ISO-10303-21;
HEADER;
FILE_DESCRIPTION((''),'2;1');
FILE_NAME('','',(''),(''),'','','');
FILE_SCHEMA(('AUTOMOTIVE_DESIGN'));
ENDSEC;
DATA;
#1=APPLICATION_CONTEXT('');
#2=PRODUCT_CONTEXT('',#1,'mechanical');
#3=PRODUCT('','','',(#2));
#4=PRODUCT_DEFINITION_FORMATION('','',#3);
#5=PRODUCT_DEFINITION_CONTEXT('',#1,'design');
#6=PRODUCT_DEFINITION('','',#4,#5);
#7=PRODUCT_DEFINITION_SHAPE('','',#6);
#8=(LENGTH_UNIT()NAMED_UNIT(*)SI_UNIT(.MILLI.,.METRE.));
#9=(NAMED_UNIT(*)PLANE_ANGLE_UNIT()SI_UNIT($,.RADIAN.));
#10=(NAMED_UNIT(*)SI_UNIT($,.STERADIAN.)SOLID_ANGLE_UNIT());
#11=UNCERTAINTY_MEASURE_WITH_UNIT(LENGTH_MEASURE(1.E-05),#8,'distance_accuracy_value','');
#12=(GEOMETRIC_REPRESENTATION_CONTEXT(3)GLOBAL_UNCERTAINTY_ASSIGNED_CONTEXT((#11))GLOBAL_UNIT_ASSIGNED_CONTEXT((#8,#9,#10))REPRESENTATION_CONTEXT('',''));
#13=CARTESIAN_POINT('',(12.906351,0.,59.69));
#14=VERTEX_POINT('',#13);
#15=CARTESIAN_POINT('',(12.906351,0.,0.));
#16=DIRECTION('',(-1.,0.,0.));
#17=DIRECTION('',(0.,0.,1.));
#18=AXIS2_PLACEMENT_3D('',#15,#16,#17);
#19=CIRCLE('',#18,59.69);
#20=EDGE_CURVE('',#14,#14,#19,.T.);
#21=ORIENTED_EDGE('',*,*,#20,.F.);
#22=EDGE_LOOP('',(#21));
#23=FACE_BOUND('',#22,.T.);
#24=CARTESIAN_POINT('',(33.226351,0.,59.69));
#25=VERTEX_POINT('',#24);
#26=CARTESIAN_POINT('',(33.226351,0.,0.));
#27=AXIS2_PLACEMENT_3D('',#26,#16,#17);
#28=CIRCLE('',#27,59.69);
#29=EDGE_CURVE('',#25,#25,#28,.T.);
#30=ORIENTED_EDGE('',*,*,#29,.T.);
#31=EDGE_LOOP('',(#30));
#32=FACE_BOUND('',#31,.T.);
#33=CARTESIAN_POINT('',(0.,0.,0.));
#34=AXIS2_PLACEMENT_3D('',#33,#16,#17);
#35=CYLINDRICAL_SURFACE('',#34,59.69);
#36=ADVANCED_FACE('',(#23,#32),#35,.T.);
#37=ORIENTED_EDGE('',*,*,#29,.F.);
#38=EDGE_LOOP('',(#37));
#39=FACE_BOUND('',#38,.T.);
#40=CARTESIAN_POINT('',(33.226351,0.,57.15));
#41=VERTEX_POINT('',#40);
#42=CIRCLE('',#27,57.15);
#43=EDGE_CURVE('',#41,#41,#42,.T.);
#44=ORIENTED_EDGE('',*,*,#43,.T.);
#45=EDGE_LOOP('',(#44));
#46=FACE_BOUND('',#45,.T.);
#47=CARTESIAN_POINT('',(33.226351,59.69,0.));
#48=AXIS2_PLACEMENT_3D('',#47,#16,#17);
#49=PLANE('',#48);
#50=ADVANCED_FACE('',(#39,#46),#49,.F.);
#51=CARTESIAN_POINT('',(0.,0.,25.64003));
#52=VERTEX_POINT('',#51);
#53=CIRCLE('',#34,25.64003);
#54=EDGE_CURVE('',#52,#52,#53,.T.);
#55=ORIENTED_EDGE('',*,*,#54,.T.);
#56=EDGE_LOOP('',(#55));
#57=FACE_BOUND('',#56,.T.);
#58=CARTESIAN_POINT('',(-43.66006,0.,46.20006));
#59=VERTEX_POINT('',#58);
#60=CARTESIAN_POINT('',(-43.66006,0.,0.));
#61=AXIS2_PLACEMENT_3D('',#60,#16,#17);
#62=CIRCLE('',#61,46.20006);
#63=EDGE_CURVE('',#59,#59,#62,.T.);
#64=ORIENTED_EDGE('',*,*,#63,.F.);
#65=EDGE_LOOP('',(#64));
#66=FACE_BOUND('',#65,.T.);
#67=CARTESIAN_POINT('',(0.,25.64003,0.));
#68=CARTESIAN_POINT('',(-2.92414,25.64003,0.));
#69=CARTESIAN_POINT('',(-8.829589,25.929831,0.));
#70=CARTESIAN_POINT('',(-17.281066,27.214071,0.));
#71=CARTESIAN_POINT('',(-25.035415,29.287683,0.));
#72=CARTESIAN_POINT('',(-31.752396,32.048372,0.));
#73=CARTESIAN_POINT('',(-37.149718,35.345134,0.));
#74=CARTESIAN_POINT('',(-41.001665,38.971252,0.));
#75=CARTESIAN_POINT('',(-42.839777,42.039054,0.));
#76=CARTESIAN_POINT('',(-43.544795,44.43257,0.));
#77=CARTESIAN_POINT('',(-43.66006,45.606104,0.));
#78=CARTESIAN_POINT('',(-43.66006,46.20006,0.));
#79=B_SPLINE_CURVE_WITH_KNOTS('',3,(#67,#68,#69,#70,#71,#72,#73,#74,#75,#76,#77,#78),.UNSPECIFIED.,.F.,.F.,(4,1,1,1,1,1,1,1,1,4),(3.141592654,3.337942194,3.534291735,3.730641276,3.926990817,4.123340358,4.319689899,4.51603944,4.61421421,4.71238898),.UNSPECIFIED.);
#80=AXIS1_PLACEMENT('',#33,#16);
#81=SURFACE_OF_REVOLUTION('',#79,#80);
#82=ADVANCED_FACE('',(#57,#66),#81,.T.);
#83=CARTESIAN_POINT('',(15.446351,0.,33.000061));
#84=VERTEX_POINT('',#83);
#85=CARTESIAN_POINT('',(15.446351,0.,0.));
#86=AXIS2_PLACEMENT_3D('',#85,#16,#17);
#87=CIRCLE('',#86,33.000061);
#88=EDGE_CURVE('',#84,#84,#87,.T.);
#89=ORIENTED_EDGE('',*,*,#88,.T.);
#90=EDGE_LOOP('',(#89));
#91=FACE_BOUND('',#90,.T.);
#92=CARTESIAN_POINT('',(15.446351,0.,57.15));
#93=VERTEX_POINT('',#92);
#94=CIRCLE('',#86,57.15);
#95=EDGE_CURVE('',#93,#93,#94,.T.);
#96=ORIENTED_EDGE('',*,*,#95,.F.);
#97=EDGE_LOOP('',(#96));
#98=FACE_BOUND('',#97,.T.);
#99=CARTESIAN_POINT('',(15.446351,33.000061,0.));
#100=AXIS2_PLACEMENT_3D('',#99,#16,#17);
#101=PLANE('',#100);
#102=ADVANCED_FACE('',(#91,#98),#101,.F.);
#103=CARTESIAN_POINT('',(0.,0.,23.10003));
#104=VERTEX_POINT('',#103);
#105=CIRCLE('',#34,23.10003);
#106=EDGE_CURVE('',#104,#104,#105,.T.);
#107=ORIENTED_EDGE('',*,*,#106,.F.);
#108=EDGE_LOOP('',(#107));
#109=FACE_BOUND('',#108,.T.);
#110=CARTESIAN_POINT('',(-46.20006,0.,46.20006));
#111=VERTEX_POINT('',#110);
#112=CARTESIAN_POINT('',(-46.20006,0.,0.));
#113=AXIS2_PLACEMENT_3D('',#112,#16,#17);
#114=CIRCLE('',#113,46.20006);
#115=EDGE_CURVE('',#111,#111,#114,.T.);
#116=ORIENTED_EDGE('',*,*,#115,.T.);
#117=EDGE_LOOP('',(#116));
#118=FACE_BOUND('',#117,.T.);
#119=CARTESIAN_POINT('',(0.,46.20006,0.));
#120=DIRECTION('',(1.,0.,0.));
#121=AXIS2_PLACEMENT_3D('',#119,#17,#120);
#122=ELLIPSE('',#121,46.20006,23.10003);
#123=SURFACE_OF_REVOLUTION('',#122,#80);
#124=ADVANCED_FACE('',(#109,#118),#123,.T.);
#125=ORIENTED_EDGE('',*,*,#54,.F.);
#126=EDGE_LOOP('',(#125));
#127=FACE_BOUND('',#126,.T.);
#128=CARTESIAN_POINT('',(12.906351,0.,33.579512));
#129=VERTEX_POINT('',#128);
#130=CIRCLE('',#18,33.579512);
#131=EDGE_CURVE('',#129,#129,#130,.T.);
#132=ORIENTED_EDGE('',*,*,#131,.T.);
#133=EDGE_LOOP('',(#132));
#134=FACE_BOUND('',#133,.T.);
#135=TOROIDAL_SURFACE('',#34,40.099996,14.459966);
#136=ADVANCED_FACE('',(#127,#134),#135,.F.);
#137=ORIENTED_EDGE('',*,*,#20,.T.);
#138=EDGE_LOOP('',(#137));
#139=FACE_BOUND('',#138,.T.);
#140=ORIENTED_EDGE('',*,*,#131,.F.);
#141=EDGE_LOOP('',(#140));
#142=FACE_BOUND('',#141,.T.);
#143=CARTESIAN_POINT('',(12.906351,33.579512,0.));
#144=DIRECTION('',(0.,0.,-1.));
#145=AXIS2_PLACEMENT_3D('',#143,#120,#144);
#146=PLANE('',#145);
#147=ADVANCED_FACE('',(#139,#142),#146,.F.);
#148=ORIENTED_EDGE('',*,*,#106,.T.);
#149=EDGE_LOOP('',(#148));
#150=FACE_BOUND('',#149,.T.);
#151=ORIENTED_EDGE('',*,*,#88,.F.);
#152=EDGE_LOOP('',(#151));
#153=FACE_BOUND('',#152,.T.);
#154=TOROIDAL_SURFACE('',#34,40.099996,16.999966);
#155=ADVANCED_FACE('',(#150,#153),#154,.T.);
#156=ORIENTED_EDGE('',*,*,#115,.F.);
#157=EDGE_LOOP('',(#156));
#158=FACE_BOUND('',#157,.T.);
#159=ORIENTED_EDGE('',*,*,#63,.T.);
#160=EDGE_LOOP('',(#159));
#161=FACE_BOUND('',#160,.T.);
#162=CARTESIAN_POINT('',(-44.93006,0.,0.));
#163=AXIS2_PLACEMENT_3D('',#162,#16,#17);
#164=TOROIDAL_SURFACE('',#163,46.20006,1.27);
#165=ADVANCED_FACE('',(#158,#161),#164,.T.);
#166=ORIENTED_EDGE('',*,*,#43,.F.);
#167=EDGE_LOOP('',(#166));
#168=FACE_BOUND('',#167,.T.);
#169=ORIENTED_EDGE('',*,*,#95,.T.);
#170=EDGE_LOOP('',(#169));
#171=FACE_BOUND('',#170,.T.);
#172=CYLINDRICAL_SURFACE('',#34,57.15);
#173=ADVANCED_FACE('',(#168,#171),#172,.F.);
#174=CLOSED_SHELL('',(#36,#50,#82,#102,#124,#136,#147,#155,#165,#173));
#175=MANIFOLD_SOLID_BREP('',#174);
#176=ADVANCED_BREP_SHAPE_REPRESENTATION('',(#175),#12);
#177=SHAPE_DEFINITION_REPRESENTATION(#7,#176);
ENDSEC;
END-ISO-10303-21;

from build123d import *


with BuildPart() as part:
    # Sketch1 → Revolve1 (revolve)
    with BuildSketch(Plane.XY, mode=Mode.PRIVATE) as revolve1_sk:
        with BuildLine():
            Line((15.446351252, 33.000061), (15.446351252, 57.15))
            Line((15.446351252, 57.15), (33.226351252, 57.15))
            Line((33.226351252, 57.15), (33.226351252, 59.69))
            Line((33.226351252, 59.69), (12.906351252, 59.69))
            Line((12.906351252, 59.69), (12.906351252, 33.579511809))
            ThreePointArc((12.906351252, 33.579511809), (7.576431779, 27.783815658), (0, 25.64003))
            add(Edge.make_bspline(
                [(-43.66006, 46.20006), (-43.66006, 45.606103818), (-43.544794528, 44.432570076), (-42.839776678, 42.039054169), (-41.001665327, 38.971251765), (-37.14971819, 35.345133748), (-31.752396376, 32.048371643), (-25.035415413, 29.287682921), (-17.281065772, 27.214070609), (-8.82958884, 25.929831174), (-2.92413983, 25.64003), (0, 25.64003)],
                knots=[3.141592654, 3.141592654, 3.141592654, 3.141592654, 3.239767424, 3.337942194, 3.534291735, 3.730641276, 3.926990817, 4.123340358, 4.319689899, 4.51603944, 4.71238898, 4.71238898, 4.71238898, 4.71238898], degree=3))
            ThreePointArc((-43.66006, 46.20006), (-44.93006, 47.47006), (-46.20006, 46.20006))
            add(Edge.make_bspline(
                [(-46.20006, 46.20006), (-46.20006, 23.10003), (0, 23.10003)],
                knots=[3.141592654, 3.141592654, 3.141592654, 4.71238898, 4.71238898, 4.71238898], degree=2, weights=[1, 0.707106781, 1]))
            ThreePointArc((0, 23.10003), (9.1733361, 25.787457832), (15.446351252, 33.000061))
        make_face()
    revolve(revolve1_sk.sketch.rotate(Axis((0, 0, 0), (1, 0, 0)), 90), axis=Axis((0, 0, 0), (1, 0, 0)))


solid = part.part
